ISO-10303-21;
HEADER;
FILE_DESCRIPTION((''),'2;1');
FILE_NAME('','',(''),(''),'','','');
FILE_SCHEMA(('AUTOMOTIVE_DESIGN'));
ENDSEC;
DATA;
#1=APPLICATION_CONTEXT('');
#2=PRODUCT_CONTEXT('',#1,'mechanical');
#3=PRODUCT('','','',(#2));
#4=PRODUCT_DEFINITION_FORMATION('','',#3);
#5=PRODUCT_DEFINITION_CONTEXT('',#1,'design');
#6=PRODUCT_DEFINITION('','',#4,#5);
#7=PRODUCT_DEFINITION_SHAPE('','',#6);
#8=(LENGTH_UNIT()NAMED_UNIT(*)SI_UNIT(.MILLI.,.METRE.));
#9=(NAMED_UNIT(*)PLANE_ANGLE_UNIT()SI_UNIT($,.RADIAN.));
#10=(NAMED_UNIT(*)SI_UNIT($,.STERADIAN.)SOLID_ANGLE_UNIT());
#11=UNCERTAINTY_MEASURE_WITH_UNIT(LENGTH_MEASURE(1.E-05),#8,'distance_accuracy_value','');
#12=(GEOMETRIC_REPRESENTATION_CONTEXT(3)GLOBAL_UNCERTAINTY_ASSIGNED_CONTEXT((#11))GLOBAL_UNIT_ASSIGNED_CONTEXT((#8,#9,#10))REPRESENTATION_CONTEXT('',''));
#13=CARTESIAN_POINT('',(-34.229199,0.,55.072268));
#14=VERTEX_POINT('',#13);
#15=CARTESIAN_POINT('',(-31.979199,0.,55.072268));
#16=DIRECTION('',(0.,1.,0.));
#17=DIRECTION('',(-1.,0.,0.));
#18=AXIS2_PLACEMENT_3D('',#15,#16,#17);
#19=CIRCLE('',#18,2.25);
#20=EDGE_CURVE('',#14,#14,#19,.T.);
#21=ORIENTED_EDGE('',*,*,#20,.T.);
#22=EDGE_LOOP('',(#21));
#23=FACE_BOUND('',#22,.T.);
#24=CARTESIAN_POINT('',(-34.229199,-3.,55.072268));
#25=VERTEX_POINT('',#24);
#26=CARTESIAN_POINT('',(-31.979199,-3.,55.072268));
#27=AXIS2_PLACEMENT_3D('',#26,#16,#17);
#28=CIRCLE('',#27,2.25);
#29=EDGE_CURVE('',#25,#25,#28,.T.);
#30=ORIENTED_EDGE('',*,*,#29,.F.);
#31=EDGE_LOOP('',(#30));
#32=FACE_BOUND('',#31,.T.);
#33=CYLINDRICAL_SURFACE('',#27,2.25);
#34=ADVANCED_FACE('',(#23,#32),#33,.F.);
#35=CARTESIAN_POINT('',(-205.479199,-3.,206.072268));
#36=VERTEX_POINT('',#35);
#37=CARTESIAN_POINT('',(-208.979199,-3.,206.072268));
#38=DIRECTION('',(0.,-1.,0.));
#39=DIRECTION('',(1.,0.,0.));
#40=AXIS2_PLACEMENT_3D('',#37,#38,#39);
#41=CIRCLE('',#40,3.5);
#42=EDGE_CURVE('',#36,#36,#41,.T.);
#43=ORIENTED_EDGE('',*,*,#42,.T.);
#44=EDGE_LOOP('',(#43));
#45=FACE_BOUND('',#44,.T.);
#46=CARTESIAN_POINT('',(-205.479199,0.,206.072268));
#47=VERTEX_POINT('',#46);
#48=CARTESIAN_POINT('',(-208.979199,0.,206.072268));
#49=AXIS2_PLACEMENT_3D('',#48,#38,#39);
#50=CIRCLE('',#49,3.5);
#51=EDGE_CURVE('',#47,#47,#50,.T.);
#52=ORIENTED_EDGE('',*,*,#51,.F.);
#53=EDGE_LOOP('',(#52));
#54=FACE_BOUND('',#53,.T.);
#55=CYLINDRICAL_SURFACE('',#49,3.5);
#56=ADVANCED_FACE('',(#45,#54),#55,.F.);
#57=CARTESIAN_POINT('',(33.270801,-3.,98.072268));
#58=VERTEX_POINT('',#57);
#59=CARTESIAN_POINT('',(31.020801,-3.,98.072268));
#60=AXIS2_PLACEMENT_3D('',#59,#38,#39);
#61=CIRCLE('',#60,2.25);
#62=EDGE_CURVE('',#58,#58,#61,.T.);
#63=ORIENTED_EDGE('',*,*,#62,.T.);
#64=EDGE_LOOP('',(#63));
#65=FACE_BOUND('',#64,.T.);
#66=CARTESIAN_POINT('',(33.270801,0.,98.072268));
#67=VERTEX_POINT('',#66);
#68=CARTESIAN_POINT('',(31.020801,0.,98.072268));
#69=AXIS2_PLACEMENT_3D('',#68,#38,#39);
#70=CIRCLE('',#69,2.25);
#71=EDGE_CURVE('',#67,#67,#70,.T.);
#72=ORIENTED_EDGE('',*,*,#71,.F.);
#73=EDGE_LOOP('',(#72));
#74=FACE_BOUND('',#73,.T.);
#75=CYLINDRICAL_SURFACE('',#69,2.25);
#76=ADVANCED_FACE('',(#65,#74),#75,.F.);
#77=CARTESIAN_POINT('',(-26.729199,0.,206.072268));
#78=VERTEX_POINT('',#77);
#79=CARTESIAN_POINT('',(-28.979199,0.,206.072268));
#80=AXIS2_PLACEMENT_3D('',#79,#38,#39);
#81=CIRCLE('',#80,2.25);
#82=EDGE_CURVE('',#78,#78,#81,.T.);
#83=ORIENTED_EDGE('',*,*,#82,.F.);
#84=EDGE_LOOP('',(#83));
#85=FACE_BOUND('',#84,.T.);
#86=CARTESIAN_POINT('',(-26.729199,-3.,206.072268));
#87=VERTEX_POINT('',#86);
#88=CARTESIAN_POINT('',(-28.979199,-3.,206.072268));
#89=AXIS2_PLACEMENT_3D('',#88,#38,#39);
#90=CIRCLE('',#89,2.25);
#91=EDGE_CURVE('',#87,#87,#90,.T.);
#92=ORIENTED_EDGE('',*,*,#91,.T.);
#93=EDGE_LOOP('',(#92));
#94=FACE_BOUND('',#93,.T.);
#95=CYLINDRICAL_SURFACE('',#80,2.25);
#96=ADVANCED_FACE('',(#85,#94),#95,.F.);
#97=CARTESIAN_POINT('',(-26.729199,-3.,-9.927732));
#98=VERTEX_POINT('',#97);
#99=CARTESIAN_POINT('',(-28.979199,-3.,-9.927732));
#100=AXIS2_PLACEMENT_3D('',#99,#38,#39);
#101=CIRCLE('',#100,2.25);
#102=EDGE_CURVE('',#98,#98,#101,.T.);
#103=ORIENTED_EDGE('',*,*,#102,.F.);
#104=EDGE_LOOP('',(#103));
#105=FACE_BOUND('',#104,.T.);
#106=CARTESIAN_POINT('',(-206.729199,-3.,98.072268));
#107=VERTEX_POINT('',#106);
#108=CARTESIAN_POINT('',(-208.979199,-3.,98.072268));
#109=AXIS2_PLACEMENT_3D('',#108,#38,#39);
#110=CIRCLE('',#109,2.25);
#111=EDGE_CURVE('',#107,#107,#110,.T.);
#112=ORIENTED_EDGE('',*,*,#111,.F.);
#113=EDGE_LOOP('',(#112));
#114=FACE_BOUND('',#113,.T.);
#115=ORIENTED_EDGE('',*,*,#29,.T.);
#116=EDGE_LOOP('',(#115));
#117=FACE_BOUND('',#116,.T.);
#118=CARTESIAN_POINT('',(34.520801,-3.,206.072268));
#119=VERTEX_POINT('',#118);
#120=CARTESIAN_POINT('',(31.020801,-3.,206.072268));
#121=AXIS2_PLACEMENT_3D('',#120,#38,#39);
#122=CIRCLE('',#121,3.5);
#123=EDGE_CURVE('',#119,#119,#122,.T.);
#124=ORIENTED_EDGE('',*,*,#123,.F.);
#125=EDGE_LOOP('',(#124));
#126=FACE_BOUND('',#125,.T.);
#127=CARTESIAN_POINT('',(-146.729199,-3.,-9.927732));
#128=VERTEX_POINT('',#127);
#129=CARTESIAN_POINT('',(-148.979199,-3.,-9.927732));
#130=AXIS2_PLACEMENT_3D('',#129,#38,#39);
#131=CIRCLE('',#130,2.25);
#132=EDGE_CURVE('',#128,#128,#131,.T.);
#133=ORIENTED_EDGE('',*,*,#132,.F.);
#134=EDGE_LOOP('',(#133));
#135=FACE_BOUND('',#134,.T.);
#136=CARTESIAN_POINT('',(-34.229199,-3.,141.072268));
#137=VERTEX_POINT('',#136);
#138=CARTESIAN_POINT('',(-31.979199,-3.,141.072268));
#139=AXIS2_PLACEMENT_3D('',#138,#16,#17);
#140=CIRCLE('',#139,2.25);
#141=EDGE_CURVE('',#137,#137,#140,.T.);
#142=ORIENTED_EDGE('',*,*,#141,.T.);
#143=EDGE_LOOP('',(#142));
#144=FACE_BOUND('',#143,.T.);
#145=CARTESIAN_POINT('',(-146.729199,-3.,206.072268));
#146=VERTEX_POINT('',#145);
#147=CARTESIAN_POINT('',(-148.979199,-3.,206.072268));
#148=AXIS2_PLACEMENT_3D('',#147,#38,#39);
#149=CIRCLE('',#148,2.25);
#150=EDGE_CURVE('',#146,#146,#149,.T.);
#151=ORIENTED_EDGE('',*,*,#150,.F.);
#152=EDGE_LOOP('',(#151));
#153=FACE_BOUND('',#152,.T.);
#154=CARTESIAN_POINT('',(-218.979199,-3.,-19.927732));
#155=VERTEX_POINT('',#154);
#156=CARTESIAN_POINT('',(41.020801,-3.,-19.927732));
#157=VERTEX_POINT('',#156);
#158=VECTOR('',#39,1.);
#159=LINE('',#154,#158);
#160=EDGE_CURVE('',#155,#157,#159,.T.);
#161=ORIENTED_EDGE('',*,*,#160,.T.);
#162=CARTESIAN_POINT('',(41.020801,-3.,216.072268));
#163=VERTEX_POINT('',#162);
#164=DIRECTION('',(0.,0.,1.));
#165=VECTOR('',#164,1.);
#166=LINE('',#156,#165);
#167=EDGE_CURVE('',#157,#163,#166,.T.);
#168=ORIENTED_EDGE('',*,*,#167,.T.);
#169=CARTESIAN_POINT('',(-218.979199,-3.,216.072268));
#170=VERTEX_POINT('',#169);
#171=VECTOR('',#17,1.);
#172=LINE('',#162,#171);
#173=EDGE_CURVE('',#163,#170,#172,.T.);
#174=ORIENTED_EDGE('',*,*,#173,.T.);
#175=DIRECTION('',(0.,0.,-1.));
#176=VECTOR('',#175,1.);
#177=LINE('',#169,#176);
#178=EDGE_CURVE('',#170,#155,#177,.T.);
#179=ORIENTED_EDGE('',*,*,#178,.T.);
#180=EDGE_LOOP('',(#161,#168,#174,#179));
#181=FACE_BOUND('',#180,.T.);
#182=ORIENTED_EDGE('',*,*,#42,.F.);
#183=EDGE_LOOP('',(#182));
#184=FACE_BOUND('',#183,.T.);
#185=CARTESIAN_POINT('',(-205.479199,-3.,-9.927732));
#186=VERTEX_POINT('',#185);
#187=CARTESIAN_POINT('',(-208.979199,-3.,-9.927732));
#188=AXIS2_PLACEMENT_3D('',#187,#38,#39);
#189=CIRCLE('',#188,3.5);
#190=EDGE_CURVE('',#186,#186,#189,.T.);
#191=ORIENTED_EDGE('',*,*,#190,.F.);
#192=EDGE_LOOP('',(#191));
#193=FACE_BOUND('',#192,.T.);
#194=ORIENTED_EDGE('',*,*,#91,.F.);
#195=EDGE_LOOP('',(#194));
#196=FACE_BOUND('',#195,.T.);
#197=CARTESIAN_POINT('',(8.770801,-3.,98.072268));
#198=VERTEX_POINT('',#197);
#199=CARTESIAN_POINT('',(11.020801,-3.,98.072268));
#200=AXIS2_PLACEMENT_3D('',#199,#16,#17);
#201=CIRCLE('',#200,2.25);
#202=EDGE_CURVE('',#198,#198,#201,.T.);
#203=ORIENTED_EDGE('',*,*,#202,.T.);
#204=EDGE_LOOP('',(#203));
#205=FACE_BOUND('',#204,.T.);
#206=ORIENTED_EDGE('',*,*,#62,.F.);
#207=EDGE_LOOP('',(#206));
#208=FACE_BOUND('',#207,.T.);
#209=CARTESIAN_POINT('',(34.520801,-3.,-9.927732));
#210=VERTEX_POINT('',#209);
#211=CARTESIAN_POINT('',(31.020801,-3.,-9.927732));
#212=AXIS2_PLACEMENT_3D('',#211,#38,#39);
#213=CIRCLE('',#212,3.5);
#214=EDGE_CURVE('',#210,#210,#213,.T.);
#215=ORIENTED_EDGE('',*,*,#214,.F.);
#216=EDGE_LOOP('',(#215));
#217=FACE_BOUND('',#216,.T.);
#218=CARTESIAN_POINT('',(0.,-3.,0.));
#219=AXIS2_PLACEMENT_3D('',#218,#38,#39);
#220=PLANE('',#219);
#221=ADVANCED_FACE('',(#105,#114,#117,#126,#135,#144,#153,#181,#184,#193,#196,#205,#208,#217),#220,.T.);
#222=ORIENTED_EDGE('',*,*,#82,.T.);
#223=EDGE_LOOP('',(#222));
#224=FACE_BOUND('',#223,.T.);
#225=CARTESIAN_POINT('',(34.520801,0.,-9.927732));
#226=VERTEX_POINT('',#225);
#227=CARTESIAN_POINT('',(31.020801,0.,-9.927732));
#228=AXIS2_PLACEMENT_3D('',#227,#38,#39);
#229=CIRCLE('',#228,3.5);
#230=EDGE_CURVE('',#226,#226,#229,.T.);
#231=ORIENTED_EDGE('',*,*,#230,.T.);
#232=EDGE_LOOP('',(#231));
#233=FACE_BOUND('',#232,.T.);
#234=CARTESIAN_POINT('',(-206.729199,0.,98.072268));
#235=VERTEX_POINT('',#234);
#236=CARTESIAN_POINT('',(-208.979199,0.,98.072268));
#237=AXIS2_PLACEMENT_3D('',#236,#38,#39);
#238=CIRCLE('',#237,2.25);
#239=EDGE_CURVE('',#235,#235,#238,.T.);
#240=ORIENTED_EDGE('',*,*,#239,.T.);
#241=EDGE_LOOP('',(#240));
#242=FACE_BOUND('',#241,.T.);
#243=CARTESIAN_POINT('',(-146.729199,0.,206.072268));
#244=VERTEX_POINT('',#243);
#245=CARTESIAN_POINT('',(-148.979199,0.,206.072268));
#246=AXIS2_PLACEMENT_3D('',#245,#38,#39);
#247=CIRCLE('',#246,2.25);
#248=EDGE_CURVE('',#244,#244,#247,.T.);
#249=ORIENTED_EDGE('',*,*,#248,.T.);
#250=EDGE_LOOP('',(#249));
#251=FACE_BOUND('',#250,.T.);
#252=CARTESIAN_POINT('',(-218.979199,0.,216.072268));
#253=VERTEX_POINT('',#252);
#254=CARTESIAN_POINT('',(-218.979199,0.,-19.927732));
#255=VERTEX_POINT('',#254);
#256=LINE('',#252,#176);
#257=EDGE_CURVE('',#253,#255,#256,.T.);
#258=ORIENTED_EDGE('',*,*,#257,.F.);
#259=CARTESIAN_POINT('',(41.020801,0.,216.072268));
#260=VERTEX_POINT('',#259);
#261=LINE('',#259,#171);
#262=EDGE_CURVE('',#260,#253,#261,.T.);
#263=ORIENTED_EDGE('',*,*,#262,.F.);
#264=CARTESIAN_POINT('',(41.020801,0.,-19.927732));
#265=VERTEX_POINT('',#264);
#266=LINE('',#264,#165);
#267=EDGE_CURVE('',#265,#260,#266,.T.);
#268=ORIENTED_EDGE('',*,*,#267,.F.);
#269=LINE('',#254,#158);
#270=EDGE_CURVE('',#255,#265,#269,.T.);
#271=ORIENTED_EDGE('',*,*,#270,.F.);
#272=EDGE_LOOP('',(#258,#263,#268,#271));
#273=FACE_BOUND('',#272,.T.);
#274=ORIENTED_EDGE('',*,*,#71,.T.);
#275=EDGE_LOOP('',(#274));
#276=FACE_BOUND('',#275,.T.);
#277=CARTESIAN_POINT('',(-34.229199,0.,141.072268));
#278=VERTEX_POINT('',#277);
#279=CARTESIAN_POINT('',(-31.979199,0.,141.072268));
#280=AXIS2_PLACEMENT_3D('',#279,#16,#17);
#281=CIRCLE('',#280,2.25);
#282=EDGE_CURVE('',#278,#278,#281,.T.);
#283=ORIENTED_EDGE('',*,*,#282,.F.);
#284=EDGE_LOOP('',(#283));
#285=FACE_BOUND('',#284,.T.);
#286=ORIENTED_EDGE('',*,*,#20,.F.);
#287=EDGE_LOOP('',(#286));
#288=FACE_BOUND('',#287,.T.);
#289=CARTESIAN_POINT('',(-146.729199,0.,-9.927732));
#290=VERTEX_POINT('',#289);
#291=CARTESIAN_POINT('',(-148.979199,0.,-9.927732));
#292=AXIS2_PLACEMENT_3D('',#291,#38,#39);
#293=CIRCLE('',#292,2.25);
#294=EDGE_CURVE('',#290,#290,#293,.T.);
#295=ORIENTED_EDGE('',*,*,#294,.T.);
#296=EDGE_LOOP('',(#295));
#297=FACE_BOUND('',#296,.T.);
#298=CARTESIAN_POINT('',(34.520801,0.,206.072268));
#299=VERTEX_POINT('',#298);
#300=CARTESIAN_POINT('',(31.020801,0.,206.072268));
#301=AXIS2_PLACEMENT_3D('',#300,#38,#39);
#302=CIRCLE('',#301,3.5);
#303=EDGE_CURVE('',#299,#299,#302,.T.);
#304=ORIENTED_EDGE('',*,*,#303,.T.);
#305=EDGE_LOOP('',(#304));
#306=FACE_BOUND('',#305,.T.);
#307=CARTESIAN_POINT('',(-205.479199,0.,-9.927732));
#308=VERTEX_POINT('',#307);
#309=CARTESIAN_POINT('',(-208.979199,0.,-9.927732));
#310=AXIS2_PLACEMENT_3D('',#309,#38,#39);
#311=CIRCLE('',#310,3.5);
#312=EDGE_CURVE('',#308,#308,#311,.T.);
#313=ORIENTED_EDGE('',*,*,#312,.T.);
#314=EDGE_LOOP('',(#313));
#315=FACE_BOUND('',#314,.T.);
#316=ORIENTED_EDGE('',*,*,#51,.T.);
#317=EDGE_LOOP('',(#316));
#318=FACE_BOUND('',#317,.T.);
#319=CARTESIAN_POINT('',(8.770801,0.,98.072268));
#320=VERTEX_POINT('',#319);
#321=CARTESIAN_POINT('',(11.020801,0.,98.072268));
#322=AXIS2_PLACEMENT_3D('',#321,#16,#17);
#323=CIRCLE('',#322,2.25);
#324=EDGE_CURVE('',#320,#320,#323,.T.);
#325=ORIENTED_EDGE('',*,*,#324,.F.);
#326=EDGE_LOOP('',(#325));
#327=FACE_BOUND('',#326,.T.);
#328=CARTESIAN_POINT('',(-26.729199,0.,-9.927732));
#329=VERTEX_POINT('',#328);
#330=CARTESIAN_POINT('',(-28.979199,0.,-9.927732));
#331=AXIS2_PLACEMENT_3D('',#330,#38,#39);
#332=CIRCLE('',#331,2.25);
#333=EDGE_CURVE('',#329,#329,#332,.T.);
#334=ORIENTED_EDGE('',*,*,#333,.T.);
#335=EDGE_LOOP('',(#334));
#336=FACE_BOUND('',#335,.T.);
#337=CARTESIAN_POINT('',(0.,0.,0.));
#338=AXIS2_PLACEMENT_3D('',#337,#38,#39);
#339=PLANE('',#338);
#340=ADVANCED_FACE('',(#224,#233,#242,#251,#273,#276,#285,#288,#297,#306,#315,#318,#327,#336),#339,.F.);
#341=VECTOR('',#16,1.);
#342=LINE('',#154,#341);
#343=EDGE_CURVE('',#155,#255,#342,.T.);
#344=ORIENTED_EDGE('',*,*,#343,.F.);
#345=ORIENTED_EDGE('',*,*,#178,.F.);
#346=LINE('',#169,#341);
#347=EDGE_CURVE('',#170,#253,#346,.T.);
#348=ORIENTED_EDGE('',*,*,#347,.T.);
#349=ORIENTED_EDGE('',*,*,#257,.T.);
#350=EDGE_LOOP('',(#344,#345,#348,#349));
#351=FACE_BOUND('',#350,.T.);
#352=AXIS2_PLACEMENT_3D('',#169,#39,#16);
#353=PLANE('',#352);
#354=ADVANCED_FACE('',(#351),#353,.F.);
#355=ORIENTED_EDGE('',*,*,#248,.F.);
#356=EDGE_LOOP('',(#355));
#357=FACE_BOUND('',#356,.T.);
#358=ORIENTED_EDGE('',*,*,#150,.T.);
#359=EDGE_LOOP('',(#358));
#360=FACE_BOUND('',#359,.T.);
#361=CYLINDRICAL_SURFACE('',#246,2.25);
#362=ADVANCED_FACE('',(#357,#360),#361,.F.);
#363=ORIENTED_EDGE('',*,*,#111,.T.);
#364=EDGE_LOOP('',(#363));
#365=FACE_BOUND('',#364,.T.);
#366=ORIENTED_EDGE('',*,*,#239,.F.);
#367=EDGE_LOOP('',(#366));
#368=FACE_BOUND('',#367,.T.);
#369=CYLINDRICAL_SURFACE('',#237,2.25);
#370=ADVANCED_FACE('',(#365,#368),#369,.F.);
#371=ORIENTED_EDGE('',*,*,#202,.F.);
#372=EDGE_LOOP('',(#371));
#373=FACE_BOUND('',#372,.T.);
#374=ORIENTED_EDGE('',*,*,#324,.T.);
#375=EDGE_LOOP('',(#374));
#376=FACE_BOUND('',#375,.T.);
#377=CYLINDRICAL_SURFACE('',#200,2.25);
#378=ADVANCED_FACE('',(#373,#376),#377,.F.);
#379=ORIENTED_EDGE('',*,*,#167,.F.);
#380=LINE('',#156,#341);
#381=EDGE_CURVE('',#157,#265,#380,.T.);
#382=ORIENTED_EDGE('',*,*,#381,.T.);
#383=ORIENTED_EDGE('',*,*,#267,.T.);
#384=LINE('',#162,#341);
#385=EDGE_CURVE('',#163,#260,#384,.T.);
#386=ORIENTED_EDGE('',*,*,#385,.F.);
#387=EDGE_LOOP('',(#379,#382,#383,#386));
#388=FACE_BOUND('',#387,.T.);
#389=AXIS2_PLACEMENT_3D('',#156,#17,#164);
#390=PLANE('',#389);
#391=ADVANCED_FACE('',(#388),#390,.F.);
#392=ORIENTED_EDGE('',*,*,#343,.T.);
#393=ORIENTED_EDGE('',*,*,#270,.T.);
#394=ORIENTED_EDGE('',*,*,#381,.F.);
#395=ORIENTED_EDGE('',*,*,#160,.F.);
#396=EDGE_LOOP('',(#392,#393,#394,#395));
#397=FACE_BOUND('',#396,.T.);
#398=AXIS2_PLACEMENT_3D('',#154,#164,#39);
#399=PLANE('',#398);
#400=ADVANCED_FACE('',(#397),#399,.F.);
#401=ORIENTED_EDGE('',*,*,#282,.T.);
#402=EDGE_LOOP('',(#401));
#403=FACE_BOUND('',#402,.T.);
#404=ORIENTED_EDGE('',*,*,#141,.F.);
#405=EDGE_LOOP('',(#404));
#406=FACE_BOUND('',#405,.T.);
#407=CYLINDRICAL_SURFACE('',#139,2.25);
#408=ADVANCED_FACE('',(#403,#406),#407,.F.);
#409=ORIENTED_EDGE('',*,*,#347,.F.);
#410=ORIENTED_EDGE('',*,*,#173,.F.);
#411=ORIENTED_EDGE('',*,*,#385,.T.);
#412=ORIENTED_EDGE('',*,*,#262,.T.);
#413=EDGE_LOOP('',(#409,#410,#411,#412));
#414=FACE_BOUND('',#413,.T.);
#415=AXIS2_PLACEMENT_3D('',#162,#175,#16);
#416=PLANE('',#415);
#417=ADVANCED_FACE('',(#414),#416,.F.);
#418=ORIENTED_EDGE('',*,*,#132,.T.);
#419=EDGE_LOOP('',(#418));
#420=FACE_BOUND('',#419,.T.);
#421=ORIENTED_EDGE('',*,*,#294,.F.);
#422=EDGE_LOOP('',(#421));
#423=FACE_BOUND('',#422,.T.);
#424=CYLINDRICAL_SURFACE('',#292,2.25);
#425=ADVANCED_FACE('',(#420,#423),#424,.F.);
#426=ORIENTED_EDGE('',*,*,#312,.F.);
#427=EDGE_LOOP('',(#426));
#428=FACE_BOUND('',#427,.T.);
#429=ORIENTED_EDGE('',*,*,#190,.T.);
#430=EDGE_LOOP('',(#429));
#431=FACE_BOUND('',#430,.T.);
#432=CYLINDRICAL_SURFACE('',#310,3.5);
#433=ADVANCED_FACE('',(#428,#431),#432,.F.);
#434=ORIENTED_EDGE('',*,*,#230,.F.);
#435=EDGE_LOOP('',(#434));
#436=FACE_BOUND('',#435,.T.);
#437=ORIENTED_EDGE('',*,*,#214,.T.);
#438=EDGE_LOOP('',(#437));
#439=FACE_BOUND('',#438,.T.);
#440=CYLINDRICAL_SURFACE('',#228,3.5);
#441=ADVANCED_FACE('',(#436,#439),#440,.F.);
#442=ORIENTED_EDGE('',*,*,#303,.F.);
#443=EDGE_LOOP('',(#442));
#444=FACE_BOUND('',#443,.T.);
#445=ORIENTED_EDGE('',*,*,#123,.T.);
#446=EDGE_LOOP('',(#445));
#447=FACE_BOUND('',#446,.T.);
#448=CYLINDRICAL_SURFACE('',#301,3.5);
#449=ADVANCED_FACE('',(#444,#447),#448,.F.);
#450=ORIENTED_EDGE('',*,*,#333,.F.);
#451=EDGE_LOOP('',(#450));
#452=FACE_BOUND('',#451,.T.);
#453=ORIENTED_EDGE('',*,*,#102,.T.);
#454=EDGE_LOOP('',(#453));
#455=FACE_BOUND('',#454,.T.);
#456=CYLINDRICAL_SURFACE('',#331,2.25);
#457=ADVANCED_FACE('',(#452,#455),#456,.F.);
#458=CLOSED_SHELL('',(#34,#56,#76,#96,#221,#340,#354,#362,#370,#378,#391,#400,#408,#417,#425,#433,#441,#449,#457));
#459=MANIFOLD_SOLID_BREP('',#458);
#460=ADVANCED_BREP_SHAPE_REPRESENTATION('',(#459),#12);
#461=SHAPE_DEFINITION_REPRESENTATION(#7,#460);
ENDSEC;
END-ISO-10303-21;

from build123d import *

# Parameters (mm, degrees)
SKETCH_1_W          = 260
SKETCH_1_H          = 236
EXTRUDE_1_DEPTH     = 3
SKETCH_2_R          = 2.25
SKETCH_2_R_2        = 3.5
CUT_EXTRUDE_1_DEPTH = 4
SKETCH1_R           = 2.25
CUT_EXTRUDE1_DEPTH  = 4


with BuildPart() as part:
    # Эскиз1 → Бобышка-Вытянуть1 (new body)
    with BuildSketch(Plane.XZ):
        with Locations((-88.97919902, 98.072268451)):
            Rectangle(SKETCH_1_W, SKETCH_1_H)
    extrude(amount=EXTRUDE_1_DEPTH)

    # Эскиз2 → Вырез-Вытянуть1 (cut, through all)
    with BuildSketch(Plane.XZ.offset(3)):
        with Locations((-208.97919902, 98.072268451)):
            Circle(SKETCH_2_R)
        with Locations((-148.97919902, -9.927731549)):
            Circle(SKETCH_2_R)
        with Locations((-28.97919902, -9.927731549)):
            Circle(SKETCH_2_R)
        with Locations((31.02080098, 98.072268451)):
            Circle(SKETCH_2_R)
        with Locations((-28.97919902, 206.072268451)):
            Circle(SKETCH_2_R)
        with Locations((-148.97919902, 206.072268451)):
            Circle(SKETCH_2_R)
        with Locations((-208.97919902, -9.927731549)):
            Circle(SKETCH_2_R_2)
        with Locations((-208.97919902, 206.072268451)):
            Circle(SKETCH_2_R_2)
        with Locations((31.02080098, -9.927731549)):
            Circle(SKETCH_2_R_2)
        with Locations((31.02080098, 206.072268451)):
            Circle(SKETCH_2_R_2)
    extrude(amount=-CUT_EXTRUDE_1_DEPTH, mode=Mode.SUBTRACT)

    # Sketch1 → Cut-Extrude1 (cut, through all)
    with BuildSketch(Plane(origin=(0, 0, 0), x_dir=(1, 0, 0), z_dir=(0, 1, 0))):
        with Locations((-31.97919902, -141.072268451)):
            Circle(SKETCH1_R)
        with Locations((11.02080098, -98.072268451)):
            Circle(SKETCH1_R)
        with Locations((-31.97919902, -55.072268451)):
            Circle(SKETCH1_R)
    extrude(amount=-CUT_EXTRUDE1_DEPTH, mode=Mode.SUBTRACT)


solid = part.part
